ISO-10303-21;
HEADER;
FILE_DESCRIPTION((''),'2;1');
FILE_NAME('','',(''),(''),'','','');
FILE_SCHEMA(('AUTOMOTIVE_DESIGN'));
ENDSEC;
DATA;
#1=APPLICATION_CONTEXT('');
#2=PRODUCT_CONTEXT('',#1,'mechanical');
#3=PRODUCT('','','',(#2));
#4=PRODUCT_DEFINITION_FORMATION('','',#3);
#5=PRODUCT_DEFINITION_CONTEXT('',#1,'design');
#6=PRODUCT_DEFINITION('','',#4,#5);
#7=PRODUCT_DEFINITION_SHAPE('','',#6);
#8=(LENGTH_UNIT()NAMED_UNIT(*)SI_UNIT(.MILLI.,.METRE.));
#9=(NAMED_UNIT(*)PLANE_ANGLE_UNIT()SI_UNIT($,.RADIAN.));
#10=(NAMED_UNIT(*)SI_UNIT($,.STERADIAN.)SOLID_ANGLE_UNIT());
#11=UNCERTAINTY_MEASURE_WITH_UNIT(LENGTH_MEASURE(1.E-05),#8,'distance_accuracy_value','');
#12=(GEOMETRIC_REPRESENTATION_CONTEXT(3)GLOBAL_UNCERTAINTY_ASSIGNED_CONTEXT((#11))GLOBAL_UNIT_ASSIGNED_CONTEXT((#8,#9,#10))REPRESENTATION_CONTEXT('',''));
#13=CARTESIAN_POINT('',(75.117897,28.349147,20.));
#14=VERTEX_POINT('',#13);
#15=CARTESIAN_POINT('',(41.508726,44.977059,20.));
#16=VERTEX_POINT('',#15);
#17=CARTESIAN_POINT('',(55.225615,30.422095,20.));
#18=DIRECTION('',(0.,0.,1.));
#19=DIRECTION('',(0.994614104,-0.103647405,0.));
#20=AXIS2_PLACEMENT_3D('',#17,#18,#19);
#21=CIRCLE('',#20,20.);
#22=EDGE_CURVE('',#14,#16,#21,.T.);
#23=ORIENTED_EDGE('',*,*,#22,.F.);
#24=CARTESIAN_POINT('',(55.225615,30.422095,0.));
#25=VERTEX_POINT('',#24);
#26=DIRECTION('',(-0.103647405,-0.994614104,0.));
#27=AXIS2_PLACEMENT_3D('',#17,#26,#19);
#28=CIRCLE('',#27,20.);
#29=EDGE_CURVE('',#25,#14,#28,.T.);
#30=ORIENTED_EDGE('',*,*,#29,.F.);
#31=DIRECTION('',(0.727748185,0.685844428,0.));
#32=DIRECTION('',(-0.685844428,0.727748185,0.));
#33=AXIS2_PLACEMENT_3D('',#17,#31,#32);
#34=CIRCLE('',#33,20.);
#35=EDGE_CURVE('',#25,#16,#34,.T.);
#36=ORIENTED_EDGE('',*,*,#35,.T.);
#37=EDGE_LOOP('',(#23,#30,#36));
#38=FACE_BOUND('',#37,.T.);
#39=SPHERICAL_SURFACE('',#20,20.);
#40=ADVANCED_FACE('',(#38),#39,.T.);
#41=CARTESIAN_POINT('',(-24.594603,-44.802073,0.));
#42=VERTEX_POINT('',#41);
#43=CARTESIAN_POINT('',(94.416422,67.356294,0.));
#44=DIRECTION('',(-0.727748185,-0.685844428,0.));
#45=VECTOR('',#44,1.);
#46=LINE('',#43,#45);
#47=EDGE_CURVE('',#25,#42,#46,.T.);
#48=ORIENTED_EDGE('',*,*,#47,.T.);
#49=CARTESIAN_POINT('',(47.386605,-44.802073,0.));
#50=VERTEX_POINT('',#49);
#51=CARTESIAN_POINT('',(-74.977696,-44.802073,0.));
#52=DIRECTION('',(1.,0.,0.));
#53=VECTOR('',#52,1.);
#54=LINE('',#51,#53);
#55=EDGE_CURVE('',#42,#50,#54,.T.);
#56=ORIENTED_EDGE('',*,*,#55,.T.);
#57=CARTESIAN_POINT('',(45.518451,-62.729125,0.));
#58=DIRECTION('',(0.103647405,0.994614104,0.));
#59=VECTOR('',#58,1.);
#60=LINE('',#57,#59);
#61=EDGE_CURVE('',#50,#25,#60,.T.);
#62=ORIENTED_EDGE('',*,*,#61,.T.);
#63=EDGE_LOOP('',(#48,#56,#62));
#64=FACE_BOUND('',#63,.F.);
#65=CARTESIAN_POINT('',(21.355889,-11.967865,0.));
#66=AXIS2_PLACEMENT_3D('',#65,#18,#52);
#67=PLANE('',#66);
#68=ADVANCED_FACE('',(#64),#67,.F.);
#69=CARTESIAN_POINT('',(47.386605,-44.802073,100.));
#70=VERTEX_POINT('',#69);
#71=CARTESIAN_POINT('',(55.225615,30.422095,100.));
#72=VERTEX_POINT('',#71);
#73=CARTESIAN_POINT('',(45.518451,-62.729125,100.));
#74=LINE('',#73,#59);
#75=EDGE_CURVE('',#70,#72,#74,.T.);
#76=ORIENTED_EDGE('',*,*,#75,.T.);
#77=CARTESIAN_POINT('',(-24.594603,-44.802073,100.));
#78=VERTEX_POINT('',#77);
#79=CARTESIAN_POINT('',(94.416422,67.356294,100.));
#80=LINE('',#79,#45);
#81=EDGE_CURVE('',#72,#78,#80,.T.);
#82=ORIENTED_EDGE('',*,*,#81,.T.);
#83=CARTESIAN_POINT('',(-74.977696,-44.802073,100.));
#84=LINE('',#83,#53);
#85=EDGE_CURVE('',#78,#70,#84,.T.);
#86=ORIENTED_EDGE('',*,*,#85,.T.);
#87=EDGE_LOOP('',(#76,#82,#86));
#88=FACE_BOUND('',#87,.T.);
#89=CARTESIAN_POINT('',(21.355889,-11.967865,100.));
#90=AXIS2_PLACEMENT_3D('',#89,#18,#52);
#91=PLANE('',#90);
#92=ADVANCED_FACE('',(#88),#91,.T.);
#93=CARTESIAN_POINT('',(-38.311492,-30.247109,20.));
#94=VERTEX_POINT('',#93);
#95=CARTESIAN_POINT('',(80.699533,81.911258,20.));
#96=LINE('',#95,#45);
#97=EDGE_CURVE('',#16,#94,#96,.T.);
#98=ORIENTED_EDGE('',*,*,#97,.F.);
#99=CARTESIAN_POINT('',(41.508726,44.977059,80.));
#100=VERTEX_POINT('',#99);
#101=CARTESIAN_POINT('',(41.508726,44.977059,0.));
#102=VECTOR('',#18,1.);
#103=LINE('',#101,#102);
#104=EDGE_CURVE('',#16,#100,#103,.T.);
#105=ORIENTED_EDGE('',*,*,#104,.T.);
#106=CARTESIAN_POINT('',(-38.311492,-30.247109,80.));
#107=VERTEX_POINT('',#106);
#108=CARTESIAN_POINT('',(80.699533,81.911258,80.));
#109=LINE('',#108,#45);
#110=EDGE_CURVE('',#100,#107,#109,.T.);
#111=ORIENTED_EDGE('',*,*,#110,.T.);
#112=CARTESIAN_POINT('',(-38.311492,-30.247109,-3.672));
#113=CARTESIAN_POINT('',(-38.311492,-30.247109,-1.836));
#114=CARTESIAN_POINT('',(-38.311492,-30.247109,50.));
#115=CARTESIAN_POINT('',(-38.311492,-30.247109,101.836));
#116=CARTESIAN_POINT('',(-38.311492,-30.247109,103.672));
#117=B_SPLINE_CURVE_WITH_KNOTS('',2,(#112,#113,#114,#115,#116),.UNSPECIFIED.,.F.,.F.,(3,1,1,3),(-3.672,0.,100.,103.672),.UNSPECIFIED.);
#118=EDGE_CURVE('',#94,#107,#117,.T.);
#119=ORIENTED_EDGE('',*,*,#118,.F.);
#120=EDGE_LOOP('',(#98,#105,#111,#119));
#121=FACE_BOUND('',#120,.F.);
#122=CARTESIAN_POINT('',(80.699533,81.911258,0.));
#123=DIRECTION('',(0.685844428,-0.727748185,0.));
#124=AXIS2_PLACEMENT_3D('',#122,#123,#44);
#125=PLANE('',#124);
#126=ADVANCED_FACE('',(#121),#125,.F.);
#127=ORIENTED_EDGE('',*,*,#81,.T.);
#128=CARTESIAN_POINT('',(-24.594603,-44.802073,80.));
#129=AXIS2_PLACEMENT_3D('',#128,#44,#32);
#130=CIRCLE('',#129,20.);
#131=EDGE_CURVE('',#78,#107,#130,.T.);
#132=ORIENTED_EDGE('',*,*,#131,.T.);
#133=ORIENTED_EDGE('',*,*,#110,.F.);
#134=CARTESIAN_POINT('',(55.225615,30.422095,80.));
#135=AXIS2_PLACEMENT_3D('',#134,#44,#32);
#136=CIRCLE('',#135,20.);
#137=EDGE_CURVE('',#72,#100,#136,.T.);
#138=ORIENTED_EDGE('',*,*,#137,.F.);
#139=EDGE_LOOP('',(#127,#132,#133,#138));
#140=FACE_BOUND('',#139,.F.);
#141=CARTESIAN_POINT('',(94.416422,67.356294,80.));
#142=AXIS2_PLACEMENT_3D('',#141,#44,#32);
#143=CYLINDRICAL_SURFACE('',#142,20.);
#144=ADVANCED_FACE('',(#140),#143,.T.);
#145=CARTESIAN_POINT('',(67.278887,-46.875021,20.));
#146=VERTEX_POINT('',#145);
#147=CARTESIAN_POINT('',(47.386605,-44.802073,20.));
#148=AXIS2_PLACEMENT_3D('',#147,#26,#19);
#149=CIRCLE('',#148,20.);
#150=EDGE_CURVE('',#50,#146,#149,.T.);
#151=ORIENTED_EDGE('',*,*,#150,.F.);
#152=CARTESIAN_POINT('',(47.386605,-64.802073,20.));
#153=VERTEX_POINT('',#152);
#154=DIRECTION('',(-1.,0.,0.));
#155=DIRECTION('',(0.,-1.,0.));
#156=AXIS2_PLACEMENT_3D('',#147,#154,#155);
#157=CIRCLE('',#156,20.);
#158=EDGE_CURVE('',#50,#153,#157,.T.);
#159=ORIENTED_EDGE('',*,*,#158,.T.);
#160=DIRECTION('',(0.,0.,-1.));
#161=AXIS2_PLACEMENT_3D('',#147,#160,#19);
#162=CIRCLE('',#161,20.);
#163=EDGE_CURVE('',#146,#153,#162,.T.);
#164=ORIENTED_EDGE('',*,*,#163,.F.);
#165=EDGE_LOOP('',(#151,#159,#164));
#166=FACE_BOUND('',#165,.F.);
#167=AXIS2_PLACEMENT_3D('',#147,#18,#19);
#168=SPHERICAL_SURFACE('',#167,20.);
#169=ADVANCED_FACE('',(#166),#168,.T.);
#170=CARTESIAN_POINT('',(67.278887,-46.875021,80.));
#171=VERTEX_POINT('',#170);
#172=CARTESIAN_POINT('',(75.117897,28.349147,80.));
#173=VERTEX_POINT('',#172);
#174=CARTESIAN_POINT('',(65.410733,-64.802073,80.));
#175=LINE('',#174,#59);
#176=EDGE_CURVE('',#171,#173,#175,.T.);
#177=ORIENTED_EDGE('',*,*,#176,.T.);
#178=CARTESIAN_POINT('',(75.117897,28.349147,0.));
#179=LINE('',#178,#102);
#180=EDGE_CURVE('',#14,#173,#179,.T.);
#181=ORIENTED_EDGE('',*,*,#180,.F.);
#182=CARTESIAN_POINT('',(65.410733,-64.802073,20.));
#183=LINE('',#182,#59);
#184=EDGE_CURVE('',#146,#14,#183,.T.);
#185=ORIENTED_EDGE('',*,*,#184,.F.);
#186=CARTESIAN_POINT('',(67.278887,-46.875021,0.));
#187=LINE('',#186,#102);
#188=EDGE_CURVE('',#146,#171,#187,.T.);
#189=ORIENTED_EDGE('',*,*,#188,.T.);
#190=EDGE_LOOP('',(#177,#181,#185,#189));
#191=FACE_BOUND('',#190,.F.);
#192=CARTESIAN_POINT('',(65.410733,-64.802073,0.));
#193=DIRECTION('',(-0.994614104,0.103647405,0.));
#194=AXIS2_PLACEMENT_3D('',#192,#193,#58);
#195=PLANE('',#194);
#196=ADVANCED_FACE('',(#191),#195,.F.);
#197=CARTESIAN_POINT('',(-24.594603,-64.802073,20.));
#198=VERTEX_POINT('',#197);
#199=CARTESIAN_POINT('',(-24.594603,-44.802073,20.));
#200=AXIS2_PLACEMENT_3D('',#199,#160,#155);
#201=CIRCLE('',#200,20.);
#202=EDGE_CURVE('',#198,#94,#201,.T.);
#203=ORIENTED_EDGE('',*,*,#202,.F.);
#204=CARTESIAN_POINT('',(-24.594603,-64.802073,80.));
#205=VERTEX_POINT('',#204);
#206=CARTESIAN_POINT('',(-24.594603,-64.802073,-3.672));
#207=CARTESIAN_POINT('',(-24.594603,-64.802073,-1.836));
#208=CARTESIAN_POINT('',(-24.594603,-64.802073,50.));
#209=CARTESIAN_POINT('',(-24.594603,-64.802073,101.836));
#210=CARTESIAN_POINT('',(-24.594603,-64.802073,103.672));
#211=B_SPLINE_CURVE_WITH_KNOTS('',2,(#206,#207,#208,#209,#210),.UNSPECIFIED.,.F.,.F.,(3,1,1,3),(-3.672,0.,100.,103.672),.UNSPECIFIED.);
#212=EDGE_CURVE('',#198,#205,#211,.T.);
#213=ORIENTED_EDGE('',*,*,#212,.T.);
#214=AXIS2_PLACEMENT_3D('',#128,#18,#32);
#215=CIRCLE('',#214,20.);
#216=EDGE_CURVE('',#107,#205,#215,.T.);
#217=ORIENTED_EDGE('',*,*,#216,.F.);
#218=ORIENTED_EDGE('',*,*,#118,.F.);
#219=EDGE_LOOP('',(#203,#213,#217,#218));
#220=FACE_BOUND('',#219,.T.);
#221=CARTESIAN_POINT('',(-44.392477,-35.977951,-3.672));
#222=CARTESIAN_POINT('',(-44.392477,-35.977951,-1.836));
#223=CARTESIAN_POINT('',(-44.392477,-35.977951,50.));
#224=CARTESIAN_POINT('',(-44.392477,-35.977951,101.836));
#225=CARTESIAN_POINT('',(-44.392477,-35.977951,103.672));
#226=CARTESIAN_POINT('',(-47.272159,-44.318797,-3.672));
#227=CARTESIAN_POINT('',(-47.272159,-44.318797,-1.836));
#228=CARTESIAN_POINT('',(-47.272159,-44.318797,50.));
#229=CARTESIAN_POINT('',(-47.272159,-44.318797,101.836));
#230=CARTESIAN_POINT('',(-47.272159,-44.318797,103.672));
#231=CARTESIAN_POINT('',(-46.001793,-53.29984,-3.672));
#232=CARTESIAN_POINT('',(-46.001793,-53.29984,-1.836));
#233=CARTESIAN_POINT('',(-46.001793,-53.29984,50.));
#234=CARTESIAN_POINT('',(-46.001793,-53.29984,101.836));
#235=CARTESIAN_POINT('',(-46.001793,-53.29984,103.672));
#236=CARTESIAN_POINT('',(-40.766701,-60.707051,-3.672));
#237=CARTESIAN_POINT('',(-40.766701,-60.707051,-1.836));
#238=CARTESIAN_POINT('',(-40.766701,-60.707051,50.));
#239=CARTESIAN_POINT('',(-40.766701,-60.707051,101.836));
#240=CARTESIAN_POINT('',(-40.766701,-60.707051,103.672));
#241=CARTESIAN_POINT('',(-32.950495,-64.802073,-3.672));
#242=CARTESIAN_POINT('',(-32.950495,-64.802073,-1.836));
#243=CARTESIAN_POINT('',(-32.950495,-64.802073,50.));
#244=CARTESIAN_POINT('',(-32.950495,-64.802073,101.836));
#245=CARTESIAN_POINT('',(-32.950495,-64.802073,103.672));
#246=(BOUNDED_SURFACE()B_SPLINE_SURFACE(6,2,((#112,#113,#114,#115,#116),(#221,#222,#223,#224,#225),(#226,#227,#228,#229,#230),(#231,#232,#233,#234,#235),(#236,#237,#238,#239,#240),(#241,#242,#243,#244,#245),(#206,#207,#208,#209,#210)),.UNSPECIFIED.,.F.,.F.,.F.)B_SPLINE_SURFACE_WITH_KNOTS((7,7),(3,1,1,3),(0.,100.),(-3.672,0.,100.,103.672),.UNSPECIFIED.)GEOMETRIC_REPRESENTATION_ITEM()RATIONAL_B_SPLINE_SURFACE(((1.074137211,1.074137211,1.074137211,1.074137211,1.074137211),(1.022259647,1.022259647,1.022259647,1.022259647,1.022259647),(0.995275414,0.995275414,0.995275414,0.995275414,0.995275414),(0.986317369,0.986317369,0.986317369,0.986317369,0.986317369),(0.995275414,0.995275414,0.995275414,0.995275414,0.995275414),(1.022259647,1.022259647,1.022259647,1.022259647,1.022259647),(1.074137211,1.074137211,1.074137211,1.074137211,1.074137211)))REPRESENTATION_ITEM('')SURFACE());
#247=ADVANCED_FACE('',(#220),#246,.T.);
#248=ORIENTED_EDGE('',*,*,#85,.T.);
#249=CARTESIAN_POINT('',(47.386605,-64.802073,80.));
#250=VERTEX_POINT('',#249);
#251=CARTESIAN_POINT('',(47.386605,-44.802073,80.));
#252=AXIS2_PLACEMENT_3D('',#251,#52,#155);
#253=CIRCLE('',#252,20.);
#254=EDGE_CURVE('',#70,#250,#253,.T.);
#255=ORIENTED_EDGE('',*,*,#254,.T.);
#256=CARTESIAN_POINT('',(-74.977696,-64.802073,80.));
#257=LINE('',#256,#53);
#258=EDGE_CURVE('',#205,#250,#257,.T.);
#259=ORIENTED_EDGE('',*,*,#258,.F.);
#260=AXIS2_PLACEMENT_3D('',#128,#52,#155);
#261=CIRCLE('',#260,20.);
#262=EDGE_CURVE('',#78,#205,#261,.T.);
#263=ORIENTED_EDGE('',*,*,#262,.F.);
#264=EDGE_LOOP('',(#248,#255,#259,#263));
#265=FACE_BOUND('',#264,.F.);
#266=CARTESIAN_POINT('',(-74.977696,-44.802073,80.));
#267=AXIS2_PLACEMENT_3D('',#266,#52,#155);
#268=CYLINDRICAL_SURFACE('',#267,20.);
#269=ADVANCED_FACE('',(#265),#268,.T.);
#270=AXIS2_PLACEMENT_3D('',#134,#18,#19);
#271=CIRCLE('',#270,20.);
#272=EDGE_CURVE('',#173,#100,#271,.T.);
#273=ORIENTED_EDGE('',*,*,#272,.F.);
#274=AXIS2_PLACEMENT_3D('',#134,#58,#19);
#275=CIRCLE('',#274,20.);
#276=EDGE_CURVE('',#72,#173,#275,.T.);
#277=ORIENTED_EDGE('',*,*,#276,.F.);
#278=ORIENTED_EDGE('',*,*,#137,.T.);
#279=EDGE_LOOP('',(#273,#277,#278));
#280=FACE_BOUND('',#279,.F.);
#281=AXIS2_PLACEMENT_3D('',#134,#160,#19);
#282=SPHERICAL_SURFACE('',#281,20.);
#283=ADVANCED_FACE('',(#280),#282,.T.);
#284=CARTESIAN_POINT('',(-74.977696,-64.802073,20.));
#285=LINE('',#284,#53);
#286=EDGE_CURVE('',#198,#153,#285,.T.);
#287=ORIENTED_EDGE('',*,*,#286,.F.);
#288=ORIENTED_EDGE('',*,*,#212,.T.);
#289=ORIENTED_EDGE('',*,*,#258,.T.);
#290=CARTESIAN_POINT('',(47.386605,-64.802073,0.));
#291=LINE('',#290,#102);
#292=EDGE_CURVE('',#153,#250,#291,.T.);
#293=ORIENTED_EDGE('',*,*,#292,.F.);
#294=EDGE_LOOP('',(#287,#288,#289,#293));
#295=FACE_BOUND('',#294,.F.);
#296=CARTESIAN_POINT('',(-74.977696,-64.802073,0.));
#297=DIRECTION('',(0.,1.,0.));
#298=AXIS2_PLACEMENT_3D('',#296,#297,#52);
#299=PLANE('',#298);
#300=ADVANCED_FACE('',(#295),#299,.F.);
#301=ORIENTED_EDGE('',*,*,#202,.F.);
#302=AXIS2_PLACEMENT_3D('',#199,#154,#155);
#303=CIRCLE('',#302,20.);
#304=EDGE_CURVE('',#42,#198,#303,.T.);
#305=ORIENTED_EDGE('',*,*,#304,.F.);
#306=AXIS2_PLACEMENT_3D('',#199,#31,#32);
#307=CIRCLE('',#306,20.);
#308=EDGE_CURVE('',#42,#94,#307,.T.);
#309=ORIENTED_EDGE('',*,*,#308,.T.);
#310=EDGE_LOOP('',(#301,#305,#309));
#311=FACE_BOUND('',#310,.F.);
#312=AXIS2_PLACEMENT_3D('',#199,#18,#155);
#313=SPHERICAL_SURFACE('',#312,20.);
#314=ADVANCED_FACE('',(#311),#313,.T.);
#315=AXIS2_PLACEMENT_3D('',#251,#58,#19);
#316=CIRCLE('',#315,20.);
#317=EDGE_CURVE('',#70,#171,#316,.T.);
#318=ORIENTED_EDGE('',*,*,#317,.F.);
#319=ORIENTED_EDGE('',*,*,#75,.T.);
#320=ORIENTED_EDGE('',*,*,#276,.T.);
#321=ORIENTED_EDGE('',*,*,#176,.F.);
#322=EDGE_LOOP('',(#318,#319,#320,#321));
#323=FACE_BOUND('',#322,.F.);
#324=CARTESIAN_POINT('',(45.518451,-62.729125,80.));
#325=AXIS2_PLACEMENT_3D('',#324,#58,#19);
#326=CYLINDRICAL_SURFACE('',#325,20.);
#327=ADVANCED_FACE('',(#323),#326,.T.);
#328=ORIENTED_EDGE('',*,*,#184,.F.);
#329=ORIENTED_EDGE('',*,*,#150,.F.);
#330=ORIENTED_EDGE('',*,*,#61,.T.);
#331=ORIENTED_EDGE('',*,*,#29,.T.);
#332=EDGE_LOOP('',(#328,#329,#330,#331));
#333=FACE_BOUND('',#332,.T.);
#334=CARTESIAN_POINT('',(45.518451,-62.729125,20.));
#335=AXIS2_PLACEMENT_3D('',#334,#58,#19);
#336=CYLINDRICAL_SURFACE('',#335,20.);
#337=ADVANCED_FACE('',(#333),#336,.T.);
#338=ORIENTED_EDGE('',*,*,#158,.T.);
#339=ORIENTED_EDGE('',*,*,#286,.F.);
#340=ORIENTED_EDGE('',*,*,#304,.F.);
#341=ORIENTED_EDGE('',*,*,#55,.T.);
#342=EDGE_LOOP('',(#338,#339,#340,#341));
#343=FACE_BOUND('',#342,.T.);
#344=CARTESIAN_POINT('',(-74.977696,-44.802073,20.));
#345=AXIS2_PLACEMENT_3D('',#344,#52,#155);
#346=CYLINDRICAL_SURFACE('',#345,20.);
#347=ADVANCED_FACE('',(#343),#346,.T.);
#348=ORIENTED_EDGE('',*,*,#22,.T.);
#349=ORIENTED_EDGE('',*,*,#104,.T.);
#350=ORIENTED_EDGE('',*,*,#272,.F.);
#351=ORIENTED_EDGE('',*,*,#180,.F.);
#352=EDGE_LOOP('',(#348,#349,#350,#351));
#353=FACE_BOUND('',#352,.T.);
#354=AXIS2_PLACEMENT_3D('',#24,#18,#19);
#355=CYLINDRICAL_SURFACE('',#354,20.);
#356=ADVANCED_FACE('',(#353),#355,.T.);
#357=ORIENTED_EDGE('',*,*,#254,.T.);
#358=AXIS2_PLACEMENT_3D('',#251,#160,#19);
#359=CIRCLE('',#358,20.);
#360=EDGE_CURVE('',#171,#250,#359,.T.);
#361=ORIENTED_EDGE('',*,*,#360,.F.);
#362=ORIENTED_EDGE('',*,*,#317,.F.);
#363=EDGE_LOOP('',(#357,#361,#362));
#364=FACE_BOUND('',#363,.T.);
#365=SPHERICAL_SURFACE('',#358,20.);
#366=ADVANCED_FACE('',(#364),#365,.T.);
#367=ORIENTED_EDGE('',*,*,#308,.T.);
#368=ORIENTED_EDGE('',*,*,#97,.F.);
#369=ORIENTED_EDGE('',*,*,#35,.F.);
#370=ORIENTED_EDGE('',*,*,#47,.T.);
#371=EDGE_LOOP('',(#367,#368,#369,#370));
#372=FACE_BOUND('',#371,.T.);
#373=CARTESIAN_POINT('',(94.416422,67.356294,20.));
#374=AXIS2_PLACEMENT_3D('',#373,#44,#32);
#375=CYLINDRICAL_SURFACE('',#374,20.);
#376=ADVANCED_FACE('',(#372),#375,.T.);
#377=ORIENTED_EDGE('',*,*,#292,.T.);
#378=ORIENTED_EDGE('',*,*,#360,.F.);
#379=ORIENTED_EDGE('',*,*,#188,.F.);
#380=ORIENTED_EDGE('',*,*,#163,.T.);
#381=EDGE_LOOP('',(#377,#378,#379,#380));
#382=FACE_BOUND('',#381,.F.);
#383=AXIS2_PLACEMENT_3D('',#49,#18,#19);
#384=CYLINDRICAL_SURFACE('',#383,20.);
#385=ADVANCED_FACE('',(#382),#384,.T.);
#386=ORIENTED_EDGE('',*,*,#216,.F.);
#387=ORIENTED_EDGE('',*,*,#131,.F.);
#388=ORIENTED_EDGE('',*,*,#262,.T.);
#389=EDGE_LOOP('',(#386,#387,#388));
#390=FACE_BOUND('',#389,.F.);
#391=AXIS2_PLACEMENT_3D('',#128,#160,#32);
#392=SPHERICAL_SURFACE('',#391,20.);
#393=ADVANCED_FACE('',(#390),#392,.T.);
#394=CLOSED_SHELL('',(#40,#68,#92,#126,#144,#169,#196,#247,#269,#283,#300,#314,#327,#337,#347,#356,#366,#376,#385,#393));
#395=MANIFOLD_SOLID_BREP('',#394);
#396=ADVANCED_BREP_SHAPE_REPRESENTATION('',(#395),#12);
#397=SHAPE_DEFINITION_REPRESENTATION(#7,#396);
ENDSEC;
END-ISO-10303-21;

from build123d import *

# Parameters (mm, degrees)
F1_DEPTH = 100
F2_R     = 20


with BuildPart() as f1:
    # F0 (on Top) → F1 (new body)
    with BuildSketch(Plane.XY):
        Polygon((65.410733, -64.802073), (80.699533, 81.911258), (-68.142453, -58.360403), (-74.977696, -64.802073), align=None)
    extrude(amount=F1_DEPTH)

    # F2
    f2_edges = [f1.edges().sort_by_distance(p)[0] for p in [
        (73.055133, 8.554593, 100),
        (2.860919, 8.554593, 100),
        (-4.783481, -64.802073, 100),
        (65.410733, -64.802073, 50),
        (80.699533, 81.911258, 50),
        (73.055133, 8.554593, 0),
        (-74.977696, -64.802073, 50),
        (-4.783481, -64.802073, 0),
        (2.860919, 8.554593, 0),
    ]]
    fillet(f2_edges, radius=F2_R)


solid = f1.part
